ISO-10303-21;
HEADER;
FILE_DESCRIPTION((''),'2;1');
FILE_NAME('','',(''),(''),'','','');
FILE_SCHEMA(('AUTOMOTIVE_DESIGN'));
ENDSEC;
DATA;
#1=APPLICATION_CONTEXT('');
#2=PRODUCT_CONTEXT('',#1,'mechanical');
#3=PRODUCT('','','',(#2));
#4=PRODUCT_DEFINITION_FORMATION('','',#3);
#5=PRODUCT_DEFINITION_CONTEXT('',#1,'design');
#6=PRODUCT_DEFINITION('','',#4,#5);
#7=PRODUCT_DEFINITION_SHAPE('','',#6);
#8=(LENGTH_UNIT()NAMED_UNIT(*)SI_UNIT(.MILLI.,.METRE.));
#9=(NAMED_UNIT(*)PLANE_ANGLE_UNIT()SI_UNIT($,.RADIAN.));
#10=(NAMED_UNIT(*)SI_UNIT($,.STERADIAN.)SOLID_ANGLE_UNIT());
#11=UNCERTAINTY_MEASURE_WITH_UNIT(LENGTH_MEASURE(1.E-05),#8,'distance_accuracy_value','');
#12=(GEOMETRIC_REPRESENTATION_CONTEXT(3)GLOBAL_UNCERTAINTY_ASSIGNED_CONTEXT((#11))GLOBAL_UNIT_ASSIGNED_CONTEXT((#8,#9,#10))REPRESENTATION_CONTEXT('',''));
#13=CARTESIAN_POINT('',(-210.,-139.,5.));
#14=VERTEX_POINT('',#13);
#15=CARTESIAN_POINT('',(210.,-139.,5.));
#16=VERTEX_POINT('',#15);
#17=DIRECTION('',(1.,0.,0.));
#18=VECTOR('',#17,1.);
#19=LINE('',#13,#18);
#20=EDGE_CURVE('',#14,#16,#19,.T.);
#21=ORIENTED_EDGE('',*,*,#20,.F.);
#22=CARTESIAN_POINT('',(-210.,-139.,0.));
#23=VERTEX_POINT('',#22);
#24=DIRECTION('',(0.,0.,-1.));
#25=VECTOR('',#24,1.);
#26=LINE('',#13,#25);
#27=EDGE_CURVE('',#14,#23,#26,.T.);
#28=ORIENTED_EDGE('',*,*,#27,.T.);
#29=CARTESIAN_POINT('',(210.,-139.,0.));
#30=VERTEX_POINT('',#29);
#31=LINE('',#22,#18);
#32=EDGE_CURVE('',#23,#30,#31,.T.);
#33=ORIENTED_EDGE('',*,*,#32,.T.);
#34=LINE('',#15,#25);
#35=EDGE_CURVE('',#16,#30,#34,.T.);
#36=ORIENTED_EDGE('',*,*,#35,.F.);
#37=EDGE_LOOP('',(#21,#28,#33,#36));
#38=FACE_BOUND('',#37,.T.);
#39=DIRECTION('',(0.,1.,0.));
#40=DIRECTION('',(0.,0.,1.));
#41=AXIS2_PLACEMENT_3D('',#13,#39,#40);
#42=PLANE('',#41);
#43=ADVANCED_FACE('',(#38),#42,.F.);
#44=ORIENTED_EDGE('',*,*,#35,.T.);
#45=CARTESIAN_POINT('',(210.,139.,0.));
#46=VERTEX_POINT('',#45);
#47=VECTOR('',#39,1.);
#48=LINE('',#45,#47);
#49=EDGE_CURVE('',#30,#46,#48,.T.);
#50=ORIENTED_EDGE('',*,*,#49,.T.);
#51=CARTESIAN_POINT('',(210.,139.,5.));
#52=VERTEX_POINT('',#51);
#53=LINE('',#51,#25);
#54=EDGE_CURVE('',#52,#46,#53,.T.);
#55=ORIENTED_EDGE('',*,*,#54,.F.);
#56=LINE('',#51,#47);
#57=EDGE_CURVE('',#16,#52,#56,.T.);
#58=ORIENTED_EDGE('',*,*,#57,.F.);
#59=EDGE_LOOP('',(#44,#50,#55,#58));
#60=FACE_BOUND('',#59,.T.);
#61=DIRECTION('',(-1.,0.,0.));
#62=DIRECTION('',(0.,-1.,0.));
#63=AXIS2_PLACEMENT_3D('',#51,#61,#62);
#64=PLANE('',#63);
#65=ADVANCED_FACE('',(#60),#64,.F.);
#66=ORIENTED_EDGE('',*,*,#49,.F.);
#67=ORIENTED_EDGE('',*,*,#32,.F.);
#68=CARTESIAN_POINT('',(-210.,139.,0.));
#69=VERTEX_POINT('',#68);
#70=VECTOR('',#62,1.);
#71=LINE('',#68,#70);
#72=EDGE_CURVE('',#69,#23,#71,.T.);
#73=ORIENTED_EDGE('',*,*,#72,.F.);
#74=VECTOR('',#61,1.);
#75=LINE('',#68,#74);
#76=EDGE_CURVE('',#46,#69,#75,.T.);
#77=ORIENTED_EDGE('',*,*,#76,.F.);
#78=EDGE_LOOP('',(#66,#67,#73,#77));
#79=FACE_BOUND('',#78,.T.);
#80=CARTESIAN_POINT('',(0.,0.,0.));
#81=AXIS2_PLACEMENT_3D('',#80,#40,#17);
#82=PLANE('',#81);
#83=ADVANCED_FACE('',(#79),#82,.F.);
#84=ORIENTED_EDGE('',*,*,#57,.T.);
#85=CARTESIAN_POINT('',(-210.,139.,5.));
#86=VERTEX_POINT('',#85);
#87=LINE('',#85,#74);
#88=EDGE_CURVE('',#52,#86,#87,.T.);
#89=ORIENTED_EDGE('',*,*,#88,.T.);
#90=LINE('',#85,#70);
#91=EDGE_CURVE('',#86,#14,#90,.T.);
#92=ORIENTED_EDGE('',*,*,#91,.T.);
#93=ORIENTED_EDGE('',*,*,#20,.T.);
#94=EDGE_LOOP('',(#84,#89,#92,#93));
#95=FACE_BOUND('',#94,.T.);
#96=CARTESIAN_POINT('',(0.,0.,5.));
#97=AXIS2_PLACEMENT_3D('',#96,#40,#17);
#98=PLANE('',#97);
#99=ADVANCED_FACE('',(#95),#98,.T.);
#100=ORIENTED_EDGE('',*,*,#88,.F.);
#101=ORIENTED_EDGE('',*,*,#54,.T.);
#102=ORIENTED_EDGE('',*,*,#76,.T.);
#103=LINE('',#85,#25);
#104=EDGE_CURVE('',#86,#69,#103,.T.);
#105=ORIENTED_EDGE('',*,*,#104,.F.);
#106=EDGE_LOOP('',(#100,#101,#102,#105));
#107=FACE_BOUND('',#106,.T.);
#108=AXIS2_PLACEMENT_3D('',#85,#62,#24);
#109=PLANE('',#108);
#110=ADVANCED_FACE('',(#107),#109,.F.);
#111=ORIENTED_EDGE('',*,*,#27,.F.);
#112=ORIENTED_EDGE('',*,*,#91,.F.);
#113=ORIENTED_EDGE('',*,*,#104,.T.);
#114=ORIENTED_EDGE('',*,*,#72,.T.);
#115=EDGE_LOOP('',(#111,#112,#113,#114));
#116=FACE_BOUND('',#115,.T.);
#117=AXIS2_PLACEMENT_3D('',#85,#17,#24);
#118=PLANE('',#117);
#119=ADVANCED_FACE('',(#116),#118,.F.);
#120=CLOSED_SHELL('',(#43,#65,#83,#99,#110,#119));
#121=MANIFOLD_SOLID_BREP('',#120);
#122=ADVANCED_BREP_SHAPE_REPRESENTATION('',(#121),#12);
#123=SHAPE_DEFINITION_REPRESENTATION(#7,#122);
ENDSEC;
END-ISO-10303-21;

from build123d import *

# Parameters (mm, degrees)
SKETCH_1_W      = 420
SKETCH_1_H      = 278
EXTRUDE_1_DEPTH = 5


with BuildPart() as part:
    # 스케치1 → 보스-돌출1 (new body)
    with BuildSketch(Plane.XY):
        Rectangle(SKETCH_1_W, SKETCH_1_H)
    extrude(amount=EXTRUDE_1_DEPTH)


solid = part.part
